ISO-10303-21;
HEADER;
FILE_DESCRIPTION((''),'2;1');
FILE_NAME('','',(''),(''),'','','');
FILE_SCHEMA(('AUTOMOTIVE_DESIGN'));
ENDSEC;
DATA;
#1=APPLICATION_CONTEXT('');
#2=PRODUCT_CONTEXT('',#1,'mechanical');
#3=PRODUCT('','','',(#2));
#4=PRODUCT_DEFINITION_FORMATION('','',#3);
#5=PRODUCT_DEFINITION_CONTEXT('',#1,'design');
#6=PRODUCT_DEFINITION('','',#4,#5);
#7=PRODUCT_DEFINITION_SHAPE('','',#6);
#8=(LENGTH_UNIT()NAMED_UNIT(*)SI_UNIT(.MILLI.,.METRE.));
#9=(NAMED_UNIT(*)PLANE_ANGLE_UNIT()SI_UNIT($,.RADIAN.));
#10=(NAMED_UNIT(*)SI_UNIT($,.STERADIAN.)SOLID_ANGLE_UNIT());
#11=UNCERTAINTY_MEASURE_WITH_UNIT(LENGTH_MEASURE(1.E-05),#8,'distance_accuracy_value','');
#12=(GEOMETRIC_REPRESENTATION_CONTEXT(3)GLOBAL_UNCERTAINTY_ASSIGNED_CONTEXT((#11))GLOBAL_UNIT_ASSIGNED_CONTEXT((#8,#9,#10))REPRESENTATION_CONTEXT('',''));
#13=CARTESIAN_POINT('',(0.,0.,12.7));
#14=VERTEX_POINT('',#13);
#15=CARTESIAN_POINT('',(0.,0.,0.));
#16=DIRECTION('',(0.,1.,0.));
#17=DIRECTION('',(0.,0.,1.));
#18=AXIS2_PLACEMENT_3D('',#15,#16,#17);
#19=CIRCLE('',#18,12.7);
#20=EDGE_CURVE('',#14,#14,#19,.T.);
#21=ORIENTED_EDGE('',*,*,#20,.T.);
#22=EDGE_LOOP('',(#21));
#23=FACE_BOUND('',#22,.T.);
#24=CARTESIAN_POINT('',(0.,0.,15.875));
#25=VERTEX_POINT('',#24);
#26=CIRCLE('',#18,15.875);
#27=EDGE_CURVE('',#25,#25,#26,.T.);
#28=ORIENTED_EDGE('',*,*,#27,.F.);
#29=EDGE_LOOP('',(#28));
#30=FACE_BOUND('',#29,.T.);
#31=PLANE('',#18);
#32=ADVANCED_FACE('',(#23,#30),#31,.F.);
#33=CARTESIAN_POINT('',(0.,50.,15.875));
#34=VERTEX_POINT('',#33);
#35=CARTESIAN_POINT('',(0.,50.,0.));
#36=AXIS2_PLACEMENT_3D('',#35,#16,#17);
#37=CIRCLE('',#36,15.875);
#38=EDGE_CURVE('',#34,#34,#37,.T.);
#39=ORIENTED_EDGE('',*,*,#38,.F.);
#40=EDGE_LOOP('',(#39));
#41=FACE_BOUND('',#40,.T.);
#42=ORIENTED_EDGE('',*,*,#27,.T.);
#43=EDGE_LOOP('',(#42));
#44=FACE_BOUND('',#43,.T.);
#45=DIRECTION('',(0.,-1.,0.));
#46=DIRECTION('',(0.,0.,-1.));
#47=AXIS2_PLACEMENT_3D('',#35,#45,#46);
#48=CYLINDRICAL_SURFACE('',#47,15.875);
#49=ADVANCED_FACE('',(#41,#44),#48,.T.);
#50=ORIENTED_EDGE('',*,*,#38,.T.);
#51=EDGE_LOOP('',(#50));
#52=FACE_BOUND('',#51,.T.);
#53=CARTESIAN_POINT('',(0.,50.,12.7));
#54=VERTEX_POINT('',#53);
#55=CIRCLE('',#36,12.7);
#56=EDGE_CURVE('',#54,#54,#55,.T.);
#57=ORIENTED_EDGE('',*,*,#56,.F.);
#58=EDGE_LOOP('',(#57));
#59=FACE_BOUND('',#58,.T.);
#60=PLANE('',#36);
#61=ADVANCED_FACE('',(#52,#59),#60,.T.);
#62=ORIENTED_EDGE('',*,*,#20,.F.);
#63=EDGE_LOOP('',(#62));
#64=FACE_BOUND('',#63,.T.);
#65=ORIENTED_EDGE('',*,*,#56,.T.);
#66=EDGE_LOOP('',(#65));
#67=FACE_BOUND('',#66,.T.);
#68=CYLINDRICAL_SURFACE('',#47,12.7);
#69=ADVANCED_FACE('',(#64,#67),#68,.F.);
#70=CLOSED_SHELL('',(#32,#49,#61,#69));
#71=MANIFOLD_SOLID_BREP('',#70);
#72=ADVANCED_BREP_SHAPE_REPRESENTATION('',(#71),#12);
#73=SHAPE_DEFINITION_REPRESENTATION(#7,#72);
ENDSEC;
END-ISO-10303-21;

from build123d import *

# Parameters (mm, degrees)
SKETCH1_R           = 15.875
SKETCH1_R_2         = 12.7
BOSS_EXTRUDE1_DEPTH = 50


with BuildPart() as part:
    # Sketch1 → Boss-Extrude1 (new body)
    with BuildSketch(Plane(origin=(0, 0, 0), x_dir=(1, 0, 0), z_dir=(0, 1, 0))):
        with Locations(Location((0, 0, 0), (0, 0, 270))):
            Circle(SKETCH1_R)
        with Locations(Location((0, 0, 0), (0, 0, 270))):
            Circle(SKETCH1_R_2, mode=Mode.SUBTRACT)
    extrude(amount=BOSS_EXTRUDE1_DEPTH)


solid = part.part
